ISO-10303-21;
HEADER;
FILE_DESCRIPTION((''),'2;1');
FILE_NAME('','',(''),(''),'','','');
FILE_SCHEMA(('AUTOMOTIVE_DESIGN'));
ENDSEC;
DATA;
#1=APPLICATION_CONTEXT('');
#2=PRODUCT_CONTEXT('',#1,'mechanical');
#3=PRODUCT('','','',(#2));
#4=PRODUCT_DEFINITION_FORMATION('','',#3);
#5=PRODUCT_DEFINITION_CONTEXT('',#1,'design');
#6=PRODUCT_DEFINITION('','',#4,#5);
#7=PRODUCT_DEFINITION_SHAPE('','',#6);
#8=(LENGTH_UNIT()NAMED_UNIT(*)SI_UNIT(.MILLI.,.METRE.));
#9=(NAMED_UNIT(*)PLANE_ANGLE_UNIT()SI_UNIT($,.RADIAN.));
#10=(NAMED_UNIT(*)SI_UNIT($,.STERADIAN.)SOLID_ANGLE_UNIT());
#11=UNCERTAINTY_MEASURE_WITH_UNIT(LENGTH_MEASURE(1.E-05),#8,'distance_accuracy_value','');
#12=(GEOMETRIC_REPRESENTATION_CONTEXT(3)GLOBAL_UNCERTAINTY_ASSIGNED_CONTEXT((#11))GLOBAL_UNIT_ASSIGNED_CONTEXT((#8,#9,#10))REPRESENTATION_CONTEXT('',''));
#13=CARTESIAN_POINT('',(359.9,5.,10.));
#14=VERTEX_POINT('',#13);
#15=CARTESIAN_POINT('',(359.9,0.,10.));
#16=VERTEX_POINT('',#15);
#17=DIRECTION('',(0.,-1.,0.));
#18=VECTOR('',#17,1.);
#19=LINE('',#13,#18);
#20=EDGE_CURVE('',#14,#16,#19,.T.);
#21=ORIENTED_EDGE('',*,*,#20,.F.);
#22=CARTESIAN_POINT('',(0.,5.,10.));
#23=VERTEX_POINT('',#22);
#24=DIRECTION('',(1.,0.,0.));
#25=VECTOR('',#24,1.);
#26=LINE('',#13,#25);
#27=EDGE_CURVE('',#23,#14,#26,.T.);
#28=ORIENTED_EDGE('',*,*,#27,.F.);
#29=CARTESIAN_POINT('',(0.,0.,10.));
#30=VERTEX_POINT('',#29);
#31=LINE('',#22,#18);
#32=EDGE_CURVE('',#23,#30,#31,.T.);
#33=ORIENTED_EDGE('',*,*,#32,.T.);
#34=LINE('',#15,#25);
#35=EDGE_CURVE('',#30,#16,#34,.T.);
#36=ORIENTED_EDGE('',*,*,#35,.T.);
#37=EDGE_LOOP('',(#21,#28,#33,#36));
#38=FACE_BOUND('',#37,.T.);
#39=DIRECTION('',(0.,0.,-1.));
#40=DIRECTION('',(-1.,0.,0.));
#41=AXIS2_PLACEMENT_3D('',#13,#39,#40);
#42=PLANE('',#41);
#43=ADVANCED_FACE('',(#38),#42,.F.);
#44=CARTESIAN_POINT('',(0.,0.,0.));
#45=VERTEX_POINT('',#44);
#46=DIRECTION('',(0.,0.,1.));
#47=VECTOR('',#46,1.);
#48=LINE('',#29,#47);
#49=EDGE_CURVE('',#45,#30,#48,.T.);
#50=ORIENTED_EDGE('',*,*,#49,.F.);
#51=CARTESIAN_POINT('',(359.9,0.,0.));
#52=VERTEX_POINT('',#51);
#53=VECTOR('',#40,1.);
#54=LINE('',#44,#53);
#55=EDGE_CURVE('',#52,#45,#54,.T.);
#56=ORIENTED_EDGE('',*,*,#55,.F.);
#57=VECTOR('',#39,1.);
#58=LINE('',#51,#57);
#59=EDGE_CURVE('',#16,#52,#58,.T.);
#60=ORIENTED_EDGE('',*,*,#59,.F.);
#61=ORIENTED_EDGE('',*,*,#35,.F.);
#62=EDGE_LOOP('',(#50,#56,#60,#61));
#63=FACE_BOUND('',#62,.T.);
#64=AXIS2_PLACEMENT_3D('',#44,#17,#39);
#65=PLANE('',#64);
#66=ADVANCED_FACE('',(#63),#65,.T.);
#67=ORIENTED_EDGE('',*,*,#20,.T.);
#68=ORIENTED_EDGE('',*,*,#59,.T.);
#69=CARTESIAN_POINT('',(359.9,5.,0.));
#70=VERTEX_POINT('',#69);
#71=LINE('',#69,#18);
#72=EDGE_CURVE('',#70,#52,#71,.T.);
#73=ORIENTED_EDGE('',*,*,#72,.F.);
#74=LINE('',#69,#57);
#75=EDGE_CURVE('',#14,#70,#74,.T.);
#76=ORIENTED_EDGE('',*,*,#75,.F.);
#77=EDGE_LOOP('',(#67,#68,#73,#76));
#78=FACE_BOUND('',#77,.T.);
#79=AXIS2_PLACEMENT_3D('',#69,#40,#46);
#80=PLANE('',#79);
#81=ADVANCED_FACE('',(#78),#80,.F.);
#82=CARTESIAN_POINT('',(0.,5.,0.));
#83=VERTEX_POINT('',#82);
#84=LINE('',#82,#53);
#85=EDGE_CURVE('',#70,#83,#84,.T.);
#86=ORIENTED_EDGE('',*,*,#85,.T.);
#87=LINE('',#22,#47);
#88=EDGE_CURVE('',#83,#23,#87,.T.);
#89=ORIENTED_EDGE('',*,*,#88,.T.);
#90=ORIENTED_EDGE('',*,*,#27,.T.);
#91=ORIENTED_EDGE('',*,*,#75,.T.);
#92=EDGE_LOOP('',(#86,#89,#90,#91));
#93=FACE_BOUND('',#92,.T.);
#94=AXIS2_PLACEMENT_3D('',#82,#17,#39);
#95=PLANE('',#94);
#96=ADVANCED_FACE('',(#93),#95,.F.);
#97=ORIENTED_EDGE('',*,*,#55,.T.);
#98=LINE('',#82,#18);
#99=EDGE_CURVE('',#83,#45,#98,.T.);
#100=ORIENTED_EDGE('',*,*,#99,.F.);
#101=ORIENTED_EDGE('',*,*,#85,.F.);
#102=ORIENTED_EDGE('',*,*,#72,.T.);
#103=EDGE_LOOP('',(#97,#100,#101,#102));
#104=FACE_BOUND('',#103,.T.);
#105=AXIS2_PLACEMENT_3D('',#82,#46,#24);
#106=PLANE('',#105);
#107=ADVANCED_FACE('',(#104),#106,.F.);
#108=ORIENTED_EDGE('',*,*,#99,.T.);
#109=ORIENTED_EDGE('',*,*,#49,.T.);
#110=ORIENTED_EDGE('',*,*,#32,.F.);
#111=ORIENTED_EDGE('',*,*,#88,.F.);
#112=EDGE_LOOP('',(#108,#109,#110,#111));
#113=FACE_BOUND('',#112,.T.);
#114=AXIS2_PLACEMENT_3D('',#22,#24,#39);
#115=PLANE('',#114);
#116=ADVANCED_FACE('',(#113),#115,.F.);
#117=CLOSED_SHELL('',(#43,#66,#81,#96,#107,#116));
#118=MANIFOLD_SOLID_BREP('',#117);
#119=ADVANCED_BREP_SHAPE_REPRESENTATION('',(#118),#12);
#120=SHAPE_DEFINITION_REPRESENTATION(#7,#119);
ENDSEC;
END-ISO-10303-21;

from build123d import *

# Parameters (mm, degrees)
SKETCH_1_W      = 359.9
SKETCH_1_H      = 10
EXTRUDE_1_DEPTH = 5


with BuildPart() as part:
    # 草图1 → 凸台-拉伸1 (new body)
    with BuildSketch(Plane(origin=(0, 0, 0), x_dir=(1, 0, 0), z_dir=(0, 1, 0))):
        with Locations((179.95, -5)):
            Rectangle(SKETCH_1_W, SKETCH_1_H)
    extrude(amount=EXTRUDE_1_DEPTH)


solid = part.part
